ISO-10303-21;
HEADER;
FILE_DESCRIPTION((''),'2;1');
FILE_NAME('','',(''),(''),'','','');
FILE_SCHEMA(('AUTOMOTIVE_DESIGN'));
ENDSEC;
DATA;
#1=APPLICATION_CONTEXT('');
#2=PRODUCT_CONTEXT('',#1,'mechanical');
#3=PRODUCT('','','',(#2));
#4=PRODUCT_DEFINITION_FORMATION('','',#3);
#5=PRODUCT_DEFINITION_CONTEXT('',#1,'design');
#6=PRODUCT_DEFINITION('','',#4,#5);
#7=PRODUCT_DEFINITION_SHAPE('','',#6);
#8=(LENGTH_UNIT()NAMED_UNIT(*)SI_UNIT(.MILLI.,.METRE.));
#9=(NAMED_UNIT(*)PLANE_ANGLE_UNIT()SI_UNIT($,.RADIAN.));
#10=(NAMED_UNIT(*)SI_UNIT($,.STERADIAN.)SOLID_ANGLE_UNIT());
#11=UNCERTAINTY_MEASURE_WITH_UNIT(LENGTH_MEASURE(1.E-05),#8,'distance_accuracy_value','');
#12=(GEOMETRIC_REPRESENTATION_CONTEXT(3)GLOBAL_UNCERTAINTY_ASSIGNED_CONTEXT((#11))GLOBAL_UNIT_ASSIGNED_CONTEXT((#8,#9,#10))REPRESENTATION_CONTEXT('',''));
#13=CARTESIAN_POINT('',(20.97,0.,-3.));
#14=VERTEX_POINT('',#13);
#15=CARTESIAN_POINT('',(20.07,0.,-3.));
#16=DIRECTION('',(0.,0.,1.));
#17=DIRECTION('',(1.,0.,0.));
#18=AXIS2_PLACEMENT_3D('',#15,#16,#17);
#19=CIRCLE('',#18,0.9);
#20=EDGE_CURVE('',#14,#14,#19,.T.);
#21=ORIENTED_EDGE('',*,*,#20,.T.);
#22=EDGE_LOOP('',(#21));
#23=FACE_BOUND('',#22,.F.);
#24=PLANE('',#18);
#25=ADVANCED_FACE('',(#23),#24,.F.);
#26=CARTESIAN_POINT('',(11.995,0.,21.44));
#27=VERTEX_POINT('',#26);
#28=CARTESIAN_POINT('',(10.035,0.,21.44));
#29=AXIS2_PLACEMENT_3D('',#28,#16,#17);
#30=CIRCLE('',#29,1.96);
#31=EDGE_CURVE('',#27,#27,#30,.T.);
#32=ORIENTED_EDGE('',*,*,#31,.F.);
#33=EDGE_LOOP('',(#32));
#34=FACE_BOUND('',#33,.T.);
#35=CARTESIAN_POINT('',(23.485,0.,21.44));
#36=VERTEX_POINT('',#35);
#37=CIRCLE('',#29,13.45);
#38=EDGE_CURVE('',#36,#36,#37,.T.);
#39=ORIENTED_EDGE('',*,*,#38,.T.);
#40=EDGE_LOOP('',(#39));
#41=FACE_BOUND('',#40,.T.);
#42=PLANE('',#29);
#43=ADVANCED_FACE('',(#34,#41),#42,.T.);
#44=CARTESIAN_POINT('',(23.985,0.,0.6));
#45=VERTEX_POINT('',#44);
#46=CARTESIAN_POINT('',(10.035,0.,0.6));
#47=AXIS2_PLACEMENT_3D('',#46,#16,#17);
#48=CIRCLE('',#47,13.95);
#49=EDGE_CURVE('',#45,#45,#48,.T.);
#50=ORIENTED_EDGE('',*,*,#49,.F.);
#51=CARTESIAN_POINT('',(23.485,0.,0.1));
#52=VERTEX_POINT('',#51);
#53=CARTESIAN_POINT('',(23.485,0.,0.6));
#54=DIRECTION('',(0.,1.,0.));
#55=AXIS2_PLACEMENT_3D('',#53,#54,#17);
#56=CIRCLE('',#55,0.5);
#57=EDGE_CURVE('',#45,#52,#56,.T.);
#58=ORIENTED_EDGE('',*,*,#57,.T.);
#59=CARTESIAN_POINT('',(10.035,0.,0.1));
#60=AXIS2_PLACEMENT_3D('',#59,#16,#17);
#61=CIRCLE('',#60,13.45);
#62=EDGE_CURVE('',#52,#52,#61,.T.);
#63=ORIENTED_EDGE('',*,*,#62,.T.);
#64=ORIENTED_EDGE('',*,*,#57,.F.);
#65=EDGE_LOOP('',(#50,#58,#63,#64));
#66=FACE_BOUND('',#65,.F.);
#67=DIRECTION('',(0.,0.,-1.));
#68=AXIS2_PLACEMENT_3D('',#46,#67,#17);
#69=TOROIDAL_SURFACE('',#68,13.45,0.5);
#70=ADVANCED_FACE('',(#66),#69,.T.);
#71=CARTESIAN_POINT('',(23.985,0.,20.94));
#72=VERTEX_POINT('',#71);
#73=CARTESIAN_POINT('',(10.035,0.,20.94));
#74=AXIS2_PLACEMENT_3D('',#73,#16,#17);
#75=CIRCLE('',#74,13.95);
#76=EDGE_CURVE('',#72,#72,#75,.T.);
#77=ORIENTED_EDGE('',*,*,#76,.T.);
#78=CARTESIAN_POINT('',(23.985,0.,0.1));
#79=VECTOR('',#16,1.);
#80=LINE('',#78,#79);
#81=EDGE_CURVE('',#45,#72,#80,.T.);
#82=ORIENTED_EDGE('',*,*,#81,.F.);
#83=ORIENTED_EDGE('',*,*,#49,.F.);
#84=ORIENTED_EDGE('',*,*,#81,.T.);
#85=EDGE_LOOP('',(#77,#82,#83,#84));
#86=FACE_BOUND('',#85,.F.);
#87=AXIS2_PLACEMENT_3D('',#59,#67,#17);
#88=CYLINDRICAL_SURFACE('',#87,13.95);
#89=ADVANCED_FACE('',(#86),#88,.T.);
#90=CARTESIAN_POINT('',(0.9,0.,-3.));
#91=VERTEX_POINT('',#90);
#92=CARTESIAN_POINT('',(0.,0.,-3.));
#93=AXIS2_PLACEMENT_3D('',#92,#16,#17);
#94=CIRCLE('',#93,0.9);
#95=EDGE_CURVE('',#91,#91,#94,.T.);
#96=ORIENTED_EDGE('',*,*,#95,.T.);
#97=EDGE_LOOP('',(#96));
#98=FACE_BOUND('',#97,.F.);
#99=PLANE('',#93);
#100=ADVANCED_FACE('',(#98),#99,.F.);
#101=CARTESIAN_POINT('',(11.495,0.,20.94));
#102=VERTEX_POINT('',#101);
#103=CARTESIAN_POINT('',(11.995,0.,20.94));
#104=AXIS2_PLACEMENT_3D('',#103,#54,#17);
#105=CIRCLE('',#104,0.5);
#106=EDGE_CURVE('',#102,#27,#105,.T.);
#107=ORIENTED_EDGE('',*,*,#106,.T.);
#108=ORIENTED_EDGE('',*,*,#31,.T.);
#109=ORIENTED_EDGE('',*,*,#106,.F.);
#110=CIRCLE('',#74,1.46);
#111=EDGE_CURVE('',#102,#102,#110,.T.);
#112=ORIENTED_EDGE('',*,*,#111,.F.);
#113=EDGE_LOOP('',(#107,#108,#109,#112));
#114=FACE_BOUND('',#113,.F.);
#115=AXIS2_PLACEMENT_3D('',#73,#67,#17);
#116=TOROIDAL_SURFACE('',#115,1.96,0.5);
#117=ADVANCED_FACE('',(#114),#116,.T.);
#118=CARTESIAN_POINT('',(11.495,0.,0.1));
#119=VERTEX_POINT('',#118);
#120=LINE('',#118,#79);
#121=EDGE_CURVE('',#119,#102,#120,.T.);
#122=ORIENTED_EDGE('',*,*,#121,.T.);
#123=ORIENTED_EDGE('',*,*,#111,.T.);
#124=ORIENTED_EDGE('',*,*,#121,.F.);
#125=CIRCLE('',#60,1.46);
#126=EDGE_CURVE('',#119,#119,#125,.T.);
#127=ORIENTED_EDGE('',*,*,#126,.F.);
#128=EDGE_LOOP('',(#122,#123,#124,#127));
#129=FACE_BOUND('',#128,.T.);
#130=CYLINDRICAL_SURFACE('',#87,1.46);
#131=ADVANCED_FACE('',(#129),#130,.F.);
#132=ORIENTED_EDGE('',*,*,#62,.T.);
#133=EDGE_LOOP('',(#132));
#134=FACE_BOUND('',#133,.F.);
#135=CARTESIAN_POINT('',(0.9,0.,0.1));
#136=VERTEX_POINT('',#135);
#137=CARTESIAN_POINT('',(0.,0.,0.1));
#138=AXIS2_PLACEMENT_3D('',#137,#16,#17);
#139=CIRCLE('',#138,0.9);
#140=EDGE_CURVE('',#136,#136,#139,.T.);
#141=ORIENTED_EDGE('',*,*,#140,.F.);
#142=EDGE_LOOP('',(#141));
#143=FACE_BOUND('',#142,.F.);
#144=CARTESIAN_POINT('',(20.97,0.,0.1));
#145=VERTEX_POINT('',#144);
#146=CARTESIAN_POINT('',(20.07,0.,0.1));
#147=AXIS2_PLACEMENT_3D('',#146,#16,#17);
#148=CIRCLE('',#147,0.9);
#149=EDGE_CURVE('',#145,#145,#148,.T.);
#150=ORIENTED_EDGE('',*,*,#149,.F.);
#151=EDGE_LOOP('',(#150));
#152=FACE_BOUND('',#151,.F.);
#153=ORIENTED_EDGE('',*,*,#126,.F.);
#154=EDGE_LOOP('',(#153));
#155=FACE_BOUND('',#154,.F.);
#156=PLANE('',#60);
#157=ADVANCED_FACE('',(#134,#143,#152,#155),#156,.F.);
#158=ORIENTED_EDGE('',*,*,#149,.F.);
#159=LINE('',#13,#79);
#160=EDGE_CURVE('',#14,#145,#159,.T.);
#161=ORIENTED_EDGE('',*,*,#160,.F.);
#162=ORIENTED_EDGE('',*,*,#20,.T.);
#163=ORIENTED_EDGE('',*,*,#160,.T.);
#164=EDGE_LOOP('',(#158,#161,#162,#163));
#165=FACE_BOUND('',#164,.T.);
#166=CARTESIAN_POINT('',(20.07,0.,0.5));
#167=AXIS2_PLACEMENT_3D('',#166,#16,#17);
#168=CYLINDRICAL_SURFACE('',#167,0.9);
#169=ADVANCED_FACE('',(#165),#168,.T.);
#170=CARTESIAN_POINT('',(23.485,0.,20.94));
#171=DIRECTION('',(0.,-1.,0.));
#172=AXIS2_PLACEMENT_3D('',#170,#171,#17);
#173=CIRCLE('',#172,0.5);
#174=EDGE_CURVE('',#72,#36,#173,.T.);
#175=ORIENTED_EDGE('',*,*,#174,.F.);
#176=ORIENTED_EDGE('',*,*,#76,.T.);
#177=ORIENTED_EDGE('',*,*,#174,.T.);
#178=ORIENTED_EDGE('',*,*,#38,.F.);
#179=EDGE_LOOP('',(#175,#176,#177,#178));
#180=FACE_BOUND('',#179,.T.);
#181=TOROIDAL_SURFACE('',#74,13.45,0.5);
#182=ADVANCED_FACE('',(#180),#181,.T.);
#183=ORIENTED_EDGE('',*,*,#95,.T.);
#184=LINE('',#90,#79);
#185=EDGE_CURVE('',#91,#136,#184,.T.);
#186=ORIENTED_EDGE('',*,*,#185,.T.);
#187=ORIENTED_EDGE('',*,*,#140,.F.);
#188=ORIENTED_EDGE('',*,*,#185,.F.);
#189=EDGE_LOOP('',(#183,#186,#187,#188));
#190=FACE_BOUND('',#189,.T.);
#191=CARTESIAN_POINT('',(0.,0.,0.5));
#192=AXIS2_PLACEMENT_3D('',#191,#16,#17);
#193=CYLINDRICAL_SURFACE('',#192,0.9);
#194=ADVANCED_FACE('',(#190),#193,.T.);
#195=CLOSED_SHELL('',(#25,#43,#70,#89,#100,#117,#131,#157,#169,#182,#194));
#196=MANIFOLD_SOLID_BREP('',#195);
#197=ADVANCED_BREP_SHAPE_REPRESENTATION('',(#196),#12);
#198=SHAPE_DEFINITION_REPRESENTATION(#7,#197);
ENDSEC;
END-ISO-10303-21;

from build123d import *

# Parameters (mm, degrees)
SKETCH001_R       = 0.9
PAD001_DEPTH      = 10.67
PAD001_DEPTH_BACK = 3.5
SKETCH_R          = 13.95
SKETCH_R_2        = 1.46
PAD_DEPTH         = 21.34
FILLET_R          = 0.5


with BuildPart() as pad001:
    # Sketch001 → Pad001 (new body, two sides)
    with BuildSketch(Plane.XY.offset(0.5)) as pad001_sk:
        Circle(SKETCH001_R)
        with Locations((20.07, 0)):
            Circle(SKETCH001_R)
    extrude(amount=PAD001_DEPTH)
    extrude(pad001_sk.sketch, amount=-PAD001_DEPTH_BACK)


with BuildPart() as fillet_mp_cp:
    # Sketch → Pad (new body)
    with BuildSketch(Plane.XY.offset(0.1)):
        with Locations((10.035, 0)):
            Circle(SKETCH_R)
        with Locations((10.035, 0)):
            Circle(SKETCH_R_2, mode=Mode.SUBTRACT)
    extrude(amount=PAD_DEPTH)

    # Fillet
    fillet_edges = [fillet_mp_cp.edges().sort_by_distance(p)[0] for p in [
        (8.575, 0, 21.44),
        (-3.915, 0, 21.44),
        (-3.915, 0, 0.1),
    ]]
    fillet(fillet_edges, radius=FILLET_R)

    # Fillet_mp_cp: union Pad001
    add(pad001.part)


solid = fillet_mp_cp.part
